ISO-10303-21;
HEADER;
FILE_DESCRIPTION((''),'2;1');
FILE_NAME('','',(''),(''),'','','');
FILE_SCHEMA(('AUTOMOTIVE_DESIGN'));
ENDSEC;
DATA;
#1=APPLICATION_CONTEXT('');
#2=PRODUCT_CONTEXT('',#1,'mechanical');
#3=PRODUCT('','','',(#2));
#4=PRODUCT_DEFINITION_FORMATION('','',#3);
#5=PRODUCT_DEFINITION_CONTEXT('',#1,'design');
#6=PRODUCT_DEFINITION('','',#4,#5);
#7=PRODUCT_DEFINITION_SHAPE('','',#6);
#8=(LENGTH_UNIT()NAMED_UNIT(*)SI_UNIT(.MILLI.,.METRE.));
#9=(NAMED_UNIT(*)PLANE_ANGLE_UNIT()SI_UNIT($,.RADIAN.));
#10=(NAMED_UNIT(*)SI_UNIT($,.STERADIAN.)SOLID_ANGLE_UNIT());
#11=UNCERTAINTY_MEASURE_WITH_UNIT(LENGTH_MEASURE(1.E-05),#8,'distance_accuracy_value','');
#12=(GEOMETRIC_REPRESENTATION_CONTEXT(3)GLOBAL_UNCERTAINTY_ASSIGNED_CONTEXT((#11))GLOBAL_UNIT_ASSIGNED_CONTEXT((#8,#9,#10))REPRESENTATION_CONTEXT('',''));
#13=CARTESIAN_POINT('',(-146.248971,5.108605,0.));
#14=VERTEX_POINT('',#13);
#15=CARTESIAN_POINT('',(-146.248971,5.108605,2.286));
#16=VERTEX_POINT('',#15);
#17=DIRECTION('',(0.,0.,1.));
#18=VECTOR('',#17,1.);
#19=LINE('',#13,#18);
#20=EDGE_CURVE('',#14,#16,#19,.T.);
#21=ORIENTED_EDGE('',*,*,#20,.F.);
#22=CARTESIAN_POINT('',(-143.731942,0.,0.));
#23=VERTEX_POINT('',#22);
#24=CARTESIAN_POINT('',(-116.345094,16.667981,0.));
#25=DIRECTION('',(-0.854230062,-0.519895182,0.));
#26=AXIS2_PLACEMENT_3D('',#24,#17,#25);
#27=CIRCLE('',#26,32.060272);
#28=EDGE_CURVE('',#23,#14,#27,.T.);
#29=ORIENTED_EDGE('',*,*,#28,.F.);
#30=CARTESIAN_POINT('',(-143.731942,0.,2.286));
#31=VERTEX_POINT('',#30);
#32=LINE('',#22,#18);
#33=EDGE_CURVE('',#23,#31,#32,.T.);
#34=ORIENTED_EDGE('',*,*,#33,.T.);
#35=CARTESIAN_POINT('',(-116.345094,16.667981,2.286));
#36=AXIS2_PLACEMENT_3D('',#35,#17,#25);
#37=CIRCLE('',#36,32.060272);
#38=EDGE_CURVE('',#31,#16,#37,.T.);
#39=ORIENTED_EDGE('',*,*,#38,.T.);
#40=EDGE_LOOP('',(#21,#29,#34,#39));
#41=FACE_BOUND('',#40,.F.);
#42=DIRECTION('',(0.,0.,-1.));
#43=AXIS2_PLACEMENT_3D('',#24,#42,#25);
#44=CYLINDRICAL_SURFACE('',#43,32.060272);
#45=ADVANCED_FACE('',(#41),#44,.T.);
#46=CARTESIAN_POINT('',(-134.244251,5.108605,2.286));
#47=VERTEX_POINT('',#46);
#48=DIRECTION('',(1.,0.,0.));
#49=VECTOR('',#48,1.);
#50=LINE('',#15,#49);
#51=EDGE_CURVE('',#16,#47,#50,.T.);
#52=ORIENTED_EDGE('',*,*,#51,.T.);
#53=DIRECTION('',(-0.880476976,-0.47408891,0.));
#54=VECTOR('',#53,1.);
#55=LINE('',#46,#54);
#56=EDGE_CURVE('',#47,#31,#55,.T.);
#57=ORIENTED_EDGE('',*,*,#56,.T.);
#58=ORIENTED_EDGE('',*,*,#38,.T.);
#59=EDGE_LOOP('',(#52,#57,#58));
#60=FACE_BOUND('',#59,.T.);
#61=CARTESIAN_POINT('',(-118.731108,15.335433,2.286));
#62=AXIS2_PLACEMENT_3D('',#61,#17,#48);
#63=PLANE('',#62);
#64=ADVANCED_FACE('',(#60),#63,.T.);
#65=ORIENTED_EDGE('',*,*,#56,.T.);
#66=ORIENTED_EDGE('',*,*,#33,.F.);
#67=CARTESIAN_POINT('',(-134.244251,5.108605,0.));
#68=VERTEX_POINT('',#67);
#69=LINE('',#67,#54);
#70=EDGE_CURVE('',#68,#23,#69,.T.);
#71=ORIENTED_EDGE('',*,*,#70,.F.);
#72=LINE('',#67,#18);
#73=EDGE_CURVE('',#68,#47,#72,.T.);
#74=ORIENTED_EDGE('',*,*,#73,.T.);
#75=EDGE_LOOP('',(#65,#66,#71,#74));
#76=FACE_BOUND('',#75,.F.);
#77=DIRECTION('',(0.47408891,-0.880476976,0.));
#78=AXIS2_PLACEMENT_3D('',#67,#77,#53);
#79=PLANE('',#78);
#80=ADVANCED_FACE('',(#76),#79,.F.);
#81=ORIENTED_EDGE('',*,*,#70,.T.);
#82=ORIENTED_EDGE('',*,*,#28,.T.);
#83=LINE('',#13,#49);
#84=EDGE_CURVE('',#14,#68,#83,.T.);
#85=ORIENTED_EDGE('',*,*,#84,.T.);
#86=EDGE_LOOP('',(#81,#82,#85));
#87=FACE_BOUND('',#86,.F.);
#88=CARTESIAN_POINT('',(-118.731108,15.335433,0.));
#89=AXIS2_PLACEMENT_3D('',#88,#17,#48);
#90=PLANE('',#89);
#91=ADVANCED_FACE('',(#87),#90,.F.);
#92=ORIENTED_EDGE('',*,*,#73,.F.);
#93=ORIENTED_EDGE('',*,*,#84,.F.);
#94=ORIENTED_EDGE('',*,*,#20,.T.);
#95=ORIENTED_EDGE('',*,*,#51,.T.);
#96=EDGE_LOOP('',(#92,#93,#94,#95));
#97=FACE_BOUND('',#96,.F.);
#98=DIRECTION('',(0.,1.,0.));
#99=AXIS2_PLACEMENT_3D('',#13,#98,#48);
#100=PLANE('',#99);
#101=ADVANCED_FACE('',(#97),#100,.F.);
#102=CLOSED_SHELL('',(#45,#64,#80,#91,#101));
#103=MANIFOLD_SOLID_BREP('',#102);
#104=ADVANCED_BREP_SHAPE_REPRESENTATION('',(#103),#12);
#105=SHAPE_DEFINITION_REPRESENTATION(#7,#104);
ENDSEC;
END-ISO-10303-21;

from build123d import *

# Parameters (mm, degrees)
F1_DEPTH = 2.286
F2_DEPTH = 2.286


with BuildPart() as f1:
    # F0 (on Top) → F1 (new body)
    with BuildSketch(Plane.XY):
        with BuildLine():
            Line((-134.244251, 5.108605), (-143.731942, 0))
            ThreePointArc((-143.731942, 0), (-87.586072, 30.837658), (-146.248971, 5.108605))
            Line((-146.248971, 5.108605), (-134.244251, 5.108605))
        make_face()
    extrude(amount=F1_DEPTH)

    # F0 (on Top) → F2 (join)
    with BuildSketch(Plane.XY):
        with BuildLine():
            Line((-134.244251, 5.108605), (-143.731942, 0))
            ThreePointArc((-143.731942, 0), (-87.586072, 30.837658), (-146.248971, 5.108605))
            Line((-146.248971, 5.108605), (-134.244251, 5.108605))
        make_face()
    extrude(amount=F2_DEPTH)


solid = f1.part
